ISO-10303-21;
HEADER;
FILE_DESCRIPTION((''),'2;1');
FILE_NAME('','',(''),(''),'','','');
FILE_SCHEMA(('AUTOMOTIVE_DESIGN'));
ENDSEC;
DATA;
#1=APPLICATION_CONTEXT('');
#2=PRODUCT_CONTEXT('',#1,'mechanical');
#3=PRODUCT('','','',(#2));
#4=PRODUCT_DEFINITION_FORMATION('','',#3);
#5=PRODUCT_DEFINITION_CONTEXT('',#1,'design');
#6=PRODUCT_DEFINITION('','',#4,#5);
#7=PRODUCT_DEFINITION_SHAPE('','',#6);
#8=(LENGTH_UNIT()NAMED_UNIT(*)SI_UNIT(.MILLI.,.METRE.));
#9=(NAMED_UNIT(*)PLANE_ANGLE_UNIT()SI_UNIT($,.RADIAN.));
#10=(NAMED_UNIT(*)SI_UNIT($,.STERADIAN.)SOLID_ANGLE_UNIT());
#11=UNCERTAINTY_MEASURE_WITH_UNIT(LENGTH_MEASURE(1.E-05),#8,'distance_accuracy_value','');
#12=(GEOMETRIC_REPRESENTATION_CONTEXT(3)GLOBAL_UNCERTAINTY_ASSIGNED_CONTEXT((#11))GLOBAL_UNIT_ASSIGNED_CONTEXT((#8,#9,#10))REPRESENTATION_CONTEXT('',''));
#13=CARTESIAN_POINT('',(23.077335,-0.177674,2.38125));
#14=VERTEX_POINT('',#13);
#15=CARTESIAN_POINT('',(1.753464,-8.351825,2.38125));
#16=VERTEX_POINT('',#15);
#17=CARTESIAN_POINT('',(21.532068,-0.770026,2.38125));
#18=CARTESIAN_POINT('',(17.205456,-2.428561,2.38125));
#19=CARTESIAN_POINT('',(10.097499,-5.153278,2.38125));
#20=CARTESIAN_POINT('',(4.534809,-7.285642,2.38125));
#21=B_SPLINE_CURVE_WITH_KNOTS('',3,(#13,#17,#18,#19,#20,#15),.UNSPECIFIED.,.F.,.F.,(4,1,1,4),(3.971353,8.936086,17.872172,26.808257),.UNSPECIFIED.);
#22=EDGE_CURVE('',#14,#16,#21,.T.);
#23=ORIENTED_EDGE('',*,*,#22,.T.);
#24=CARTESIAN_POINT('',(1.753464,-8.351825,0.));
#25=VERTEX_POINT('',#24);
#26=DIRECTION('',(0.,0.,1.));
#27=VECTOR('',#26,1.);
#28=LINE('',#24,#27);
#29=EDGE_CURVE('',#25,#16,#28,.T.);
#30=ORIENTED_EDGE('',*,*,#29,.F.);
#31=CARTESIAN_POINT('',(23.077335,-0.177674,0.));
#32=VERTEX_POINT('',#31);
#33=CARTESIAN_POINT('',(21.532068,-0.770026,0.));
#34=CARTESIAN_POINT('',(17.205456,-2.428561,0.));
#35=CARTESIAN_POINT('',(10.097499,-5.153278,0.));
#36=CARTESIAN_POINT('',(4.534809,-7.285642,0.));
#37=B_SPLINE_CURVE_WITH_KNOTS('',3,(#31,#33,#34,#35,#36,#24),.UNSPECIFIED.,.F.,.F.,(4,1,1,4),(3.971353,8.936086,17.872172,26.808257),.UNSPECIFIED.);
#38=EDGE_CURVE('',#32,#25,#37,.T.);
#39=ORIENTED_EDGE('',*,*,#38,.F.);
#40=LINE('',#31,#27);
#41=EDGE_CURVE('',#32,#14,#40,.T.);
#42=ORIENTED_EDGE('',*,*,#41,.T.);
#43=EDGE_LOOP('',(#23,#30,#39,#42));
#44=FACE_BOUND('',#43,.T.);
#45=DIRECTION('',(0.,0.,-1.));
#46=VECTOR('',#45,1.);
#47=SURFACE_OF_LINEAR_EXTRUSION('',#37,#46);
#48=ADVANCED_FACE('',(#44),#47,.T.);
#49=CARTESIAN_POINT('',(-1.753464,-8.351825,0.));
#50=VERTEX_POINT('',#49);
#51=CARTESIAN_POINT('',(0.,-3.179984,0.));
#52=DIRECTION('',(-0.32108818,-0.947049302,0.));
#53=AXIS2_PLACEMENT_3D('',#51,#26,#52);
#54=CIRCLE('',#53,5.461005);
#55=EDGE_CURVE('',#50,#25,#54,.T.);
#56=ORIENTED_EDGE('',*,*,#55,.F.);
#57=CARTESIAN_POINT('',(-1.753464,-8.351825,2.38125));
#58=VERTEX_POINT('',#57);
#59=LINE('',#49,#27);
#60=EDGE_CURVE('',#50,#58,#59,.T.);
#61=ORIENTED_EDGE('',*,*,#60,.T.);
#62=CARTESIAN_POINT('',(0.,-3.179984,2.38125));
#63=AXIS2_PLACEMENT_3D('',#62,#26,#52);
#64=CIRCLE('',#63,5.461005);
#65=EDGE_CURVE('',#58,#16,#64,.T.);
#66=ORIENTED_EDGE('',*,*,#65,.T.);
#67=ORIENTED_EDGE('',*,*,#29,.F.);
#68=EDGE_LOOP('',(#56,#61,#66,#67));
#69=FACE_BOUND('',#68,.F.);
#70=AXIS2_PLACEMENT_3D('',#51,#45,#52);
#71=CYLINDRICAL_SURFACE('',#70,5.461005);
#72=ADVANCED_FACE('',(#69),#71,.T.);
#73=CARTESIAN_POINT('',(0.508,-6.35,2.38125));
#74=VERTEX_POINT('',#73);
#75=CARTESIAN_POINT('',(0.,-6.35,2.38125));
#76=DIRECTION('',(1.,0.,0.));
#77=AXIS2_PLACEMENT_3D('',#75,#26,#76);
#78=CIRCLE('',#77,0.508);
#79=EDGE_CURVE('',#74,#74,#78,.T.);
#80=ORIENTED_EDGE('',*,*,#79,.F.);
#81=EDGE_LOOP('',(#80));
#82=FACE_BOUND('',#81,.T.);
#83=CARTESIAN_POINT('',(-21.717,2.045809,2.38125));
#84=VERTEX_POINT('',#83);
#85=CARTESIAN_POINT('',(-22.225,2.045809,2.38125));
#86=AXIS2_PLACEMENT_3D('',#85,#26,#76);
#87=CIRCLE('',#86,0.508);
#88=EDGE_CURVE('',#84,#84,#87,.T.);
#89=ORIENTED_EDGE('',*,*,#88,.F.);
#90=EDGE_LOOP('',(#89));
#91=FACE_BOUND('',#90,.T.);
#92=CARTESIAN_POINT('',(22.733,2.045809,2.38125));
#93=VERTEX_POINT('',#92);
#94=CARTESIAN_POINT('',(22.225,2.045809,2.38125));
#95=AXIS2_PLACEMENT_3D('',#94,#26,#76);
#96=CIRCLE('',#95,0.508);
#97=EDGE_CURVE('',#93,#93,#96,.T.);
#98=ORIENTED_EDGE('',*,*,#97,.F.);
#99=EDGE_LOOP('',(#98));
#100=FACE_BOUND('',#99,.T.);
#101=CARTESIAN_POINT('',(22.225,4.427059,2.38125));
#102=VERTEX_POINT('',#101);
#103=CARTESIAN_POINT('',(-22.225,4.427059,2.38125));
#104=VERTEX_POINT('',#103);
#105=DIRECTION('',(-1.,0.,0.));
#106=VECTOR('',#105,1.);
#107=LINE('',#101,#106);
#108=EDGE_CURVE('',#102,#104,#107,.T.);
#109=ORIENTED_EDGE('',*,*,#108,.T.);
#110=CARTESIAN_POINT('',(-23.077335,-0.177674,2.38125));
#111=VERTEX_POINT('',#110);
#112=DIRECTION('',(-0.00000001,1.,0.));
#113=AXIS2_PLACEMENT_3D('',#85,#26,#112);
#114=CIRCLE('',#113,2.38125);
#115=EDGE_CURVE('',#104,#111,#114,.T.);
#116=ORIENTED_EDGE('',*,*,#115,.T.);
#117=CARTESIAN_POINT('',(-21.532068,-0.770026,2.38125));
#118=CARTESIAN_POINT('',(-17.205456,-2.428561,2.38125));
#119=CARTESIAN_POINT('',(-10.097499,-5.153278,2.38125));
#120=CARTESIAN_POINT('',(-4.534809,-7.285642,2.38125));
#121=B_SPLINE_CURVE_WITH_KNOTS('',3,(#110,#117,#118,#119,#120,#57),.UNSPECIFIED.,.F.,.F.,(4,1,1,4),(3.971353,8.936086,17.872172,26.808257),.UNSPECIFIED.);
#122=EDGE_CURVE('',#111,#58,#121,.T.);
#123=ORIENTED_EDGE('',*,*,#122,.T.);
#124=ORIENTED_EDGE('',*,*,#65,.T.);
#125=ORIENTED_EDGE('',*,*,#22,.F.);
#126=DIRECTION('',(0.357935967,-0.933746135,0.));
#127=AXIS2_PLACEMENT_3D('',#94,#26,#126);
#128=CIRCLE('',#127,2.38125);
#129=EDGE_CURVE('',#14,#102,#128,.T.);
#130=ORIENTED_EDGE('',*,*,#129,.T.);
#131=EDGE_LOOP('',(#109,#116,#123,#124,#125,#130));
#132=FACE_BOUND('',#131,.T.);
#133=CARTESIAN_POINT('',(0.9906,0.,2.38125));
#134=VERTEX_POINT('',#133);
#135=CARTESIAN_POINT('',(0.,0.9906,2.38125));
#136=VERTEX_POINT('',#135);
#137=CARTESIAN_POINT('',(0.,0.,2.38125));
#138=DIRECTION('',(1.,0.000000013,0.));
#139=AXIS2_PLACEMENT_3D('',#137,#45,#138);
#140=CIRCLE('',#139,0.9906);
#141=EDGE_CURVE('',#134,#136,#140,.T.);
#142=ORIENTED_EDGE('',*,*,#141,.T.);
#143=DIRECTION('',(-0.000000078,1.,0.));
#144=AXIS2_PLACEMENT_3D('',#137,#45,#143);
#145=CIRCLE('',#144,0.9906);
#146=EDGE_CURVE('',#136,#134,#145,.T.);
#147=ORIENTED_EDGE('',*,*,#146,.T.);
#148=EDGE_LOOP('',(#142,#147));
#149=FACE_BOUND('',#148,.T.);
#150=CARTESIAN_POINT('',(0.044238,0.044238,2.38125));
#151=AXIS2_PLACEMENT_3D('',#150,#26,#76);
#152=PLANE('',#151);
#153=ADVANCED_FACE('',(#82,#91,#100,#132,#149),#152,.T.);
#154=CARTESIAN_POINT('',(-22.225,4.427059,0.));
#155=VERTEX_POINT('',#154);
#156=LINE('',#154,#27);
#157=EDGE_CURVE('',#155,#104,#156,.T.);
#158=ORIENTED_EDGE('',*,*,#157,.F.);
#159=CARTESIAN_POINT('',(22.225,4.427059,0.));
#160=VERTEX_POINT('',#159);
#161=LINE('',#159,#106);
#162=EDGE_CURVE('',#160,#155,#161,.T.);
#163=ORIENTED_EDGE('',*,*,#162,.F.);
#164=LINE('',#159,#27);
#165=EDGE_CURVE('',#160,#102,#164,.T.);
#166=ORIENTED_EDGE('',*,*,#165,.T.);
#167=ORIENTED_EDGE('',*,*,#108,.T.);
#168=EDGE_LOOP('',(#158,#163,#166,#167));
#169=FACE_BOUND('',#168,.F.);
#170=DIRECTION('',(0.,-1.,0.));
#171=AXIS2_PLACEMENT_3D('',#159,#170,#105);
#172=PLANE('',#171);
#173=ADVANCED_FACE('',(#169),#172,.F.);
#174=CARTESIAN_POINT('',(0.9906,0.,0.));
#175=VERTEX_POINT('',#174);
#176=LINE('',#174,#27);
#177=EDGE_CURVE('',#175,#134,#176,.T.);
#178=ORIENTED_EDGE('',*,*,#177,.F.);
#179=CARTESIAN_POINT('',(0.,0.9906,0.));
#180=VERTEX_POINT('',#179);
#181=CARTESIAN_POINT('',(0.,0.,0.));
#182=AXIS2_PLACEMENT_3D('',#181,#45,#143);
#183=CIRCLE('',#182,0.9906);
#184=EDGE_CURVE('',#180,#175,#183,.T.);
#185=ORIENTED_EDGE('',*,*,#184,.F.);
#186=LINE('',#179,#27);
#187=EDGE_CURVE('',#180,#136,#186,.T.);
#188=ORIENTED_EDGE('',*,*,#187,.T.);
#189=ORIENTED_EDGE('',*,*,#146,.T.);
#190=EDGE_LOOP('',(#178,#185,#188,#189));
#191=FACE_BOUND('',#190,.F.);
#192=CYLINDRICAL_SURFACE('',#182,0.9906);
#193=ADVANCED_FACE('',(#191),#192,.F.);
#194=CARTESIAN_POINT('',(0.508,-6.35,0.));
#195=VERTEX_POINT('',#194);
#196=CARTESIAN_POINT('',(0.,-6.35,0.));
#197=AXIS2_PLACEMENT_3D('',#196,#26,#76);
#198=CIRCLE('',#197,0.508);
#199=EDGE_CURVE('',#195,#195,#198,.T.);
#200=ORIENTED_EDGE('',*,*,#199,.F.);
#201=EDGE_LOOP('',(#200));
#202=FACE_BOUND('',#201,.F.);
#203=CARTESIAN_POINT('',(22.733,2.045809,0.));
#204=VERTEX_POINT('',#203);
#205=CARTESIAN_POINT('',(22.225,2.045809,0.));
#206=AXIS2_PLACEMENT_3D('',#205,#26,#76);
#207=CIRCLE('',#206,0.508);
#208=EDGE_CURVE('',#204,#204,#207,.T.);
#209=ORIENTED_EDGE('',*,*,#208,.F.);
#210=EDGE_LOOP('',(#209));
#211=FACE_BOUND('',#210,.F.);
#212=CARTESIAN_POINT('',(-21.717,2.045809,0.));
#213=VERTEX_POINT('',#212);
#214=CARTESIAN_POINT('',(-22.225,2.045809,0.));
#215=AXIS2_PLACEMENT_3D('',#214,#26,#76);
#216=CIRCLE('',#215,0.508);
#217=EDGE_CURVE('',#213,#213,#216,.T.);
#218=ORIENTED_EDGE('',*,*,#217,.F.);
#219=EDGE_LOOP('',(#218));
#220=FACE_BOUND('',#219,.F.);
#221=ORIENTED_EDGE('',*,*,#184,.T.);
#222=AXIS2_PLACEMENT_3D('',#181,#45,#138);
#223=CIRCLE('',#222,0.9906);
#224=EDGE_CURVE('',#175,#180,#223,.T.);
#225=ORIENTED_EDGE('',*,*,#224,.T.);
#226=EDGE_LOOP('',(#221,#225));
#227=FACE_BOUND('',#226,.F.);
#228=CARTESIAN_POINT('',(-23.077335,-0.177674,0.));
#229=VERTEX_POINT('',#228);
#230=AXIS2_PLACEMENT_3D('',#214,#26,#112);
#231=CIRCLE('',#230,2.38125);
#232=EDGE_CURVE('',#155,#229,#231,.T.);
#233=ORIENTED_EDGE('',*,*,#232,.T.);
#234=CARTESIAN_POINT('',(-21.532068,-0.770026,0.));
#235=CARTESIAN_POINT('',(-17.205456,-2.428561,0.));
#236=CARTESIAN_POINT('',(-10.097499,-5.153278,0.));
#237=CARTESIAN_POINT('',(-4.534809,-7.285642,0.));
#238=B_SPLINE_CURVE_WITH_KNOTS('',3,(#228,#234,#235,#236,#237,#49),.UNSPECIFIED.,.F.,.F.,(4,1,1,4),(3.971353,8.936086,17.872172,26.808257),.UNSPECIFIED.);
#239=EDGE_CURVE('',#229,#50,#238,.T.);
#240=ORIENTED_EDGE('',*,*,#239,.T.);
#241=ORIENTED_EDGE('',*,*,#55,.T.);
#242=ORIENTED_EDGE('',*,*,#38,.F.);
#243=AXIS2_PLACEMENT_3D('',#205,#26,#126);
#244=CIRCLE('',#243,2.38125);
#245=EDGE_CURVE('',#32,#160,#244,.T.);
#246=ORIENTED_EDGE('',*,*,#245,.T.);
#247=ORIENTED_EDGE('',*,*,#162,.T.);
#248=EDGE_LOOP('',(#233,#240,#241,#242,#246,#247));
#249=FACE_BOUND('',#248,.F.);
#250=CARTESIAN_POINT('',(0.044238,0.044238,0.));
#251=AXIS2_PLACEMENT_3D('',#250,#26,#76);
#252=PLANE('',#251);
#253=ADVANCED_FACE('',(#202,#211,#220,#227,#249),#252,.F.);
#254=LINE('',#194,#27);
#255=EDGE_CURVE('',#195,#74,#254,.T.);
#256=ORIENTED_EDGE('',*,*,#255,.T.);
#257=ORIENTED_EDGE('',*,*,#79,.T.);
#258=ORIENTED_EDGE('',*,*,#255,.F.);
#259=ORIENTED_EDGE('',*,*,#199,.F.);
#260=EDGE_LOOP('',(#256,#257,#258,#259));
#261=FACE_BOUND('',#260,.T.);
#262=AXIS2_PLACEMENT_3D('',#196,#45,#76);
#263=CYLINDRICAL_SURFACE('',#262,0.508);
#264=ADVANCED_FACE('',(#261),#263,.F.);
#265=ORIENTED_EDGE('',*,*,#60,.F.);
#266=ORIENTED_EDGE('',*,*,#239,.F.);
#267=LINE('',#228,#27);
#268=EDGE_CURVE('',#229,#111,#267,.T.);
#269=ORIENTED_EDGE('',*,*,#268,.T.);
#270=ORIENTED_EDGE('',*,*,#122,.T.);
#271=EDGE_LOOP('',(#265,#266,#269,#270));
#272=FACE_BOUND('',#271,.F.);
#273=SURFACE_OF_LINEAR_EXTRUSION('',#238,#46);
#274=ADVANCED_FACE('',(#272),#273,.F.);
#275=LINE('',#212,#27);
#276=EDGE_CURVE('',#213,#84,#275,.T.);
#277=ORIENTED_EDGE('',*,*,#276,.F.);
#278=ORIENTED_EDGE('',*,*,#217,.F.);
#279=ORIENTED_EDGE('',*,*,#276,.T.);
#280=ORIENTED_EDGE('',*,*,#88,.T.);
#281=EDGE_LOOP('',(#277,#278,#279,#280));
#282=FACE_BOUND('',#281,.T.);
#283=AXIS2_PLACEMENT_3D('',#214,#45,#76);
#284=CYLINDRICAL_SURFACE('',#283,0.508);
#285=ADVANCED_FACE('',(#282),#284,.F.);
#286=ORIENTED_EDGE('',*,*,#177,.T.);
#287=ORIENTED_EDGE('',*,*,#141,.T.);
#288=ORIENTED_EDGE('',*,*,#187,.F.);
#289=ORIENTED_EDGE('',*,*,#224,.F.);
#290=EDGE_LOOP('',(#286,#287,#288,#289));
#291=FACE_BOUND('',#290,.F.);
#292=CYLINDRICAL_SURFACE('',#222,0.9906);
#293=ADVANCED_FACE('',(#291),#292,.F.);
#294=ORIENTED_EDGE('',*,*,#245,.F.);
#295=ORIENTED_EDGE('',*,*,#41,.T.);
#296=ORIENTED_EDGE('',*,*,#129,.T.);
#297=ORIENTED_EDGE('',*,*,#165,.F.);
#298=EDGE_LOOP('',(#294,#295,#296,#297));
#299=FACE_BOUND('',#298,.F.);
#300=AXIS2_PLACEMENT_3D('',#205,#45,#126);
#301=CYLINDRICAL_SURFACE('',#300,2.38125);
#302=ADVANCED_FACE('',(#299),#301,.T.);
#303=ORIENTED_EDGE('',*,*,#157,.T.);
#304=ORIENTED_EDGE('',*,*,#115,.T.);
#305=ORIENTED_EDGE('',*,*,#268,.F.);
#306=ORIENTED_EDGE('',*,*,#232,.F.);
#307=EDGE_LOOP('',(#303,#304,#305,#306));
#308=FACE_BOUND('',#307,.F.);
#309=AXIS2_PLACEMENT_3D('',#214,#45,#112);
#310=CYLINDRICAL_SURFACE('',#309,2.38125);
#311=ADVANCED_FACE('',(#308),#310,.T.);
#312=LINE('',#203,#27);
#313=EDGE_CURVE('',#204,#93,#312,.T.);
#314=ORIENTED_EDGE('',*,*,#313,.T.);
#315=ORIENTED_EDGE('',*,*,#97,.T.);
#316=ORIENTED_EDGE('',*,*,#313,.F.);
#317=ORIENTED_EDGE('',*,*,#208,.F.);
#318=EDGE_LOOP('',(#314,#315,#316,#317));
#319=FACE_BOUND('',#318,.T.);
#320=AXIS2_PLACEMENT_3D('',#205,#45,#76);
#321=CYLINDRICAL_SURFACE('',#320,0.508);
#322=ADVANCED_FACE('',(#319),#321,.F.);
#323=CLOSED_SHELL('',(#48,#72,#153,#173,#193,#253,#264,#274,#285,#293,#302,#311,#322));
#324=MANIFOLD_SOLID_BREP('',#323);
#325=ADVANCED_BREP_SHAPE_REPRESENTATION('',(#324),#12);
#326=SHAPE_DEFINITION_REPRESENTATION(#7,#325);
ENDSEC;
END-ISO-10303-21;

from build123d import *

# Parameters (mm, degrees)
F0_R     = 0.508
F1_DEPTH = 2.38125


with BuildPart() as f1:
    # F0 (on Top) → F1 (new body)
    with BuildSketch(Plane.XY):
        with BuildLine():
            ThreePointArc((0.9906, 0), (0.70046, 0.70046), (0, 0.9906))
            ThreePointArc((0, 0.9906), (-0.70046, -0.70046), (0.9906, 0))
        make_face()
        with BuildLine():
            add(Edge.make_bspline(
                [(23.077335, -0.177674), (21.532068, -0.770026), (17.205456, -2.428561), (10.097499, -5.153278), (4.534809, -7.285642), (1.753464, -8.351825)],
                knots=[3.971353, 3.971353, 3.971353, 3.971353, 8.936086, 17.872172, 26.808257, 26.808257, 26.808257, 26.808257], degree=3))
            ThreePointArc((23.077335, -0.177674), (24.566476, 2.479216), (22.225, 4.427059))
            Line((22.225, 4.427059), (0, 4.427059))
            Line((0, 4.427059), (-22.225, 4.427059))
            ThreePointArc((-22.225, 4.427059), (-24.566476, 2.479216), (-23.077335, -0.177674))
            add(Edge.make_bspline(
                [(-23.077335, -0.177674), (-21.532068, -0.770026), (-17.205456, -2.428561), (-10.097499, -5.153278), (-4.534809, -7.285642), (-1.753464, -8.351825)],
                knots=[3.971353, 3.971353, 3.971353, 3.971353, 8.936086, 17.872172, 26.808257, 26.808257, 26.808257, 26.808257], degree=3))
            ThreePointArc((-1.753464, -8.351825), (0, -8.640989), (1.753464, -8.351825))
        make_face()
        with Locations((0, -6.35)):
            Circle(F0_R, mode=Mode.SUBTRACT)
        with BuildLine():
            ThreePointArc((0.9906, 0), (-0.70046, -0.70046), (0, 0.9906))
            ThreePointArc((0, 0.9906), (0.70046, 0.70046), (0.9906, 0))
        make_face(mode=Mode.SUBTRACT)
        with Locations((-22.225, 2.045809)):
            Circle(F0_R, mode=Mode.SUBTRACT)
        with Locations((22.225, 2.045809)):
            Circle(F0_R, mode=Mode.SUBTRACT)
    extrude(amount=F1_DEPTH)


solid = f1.part
